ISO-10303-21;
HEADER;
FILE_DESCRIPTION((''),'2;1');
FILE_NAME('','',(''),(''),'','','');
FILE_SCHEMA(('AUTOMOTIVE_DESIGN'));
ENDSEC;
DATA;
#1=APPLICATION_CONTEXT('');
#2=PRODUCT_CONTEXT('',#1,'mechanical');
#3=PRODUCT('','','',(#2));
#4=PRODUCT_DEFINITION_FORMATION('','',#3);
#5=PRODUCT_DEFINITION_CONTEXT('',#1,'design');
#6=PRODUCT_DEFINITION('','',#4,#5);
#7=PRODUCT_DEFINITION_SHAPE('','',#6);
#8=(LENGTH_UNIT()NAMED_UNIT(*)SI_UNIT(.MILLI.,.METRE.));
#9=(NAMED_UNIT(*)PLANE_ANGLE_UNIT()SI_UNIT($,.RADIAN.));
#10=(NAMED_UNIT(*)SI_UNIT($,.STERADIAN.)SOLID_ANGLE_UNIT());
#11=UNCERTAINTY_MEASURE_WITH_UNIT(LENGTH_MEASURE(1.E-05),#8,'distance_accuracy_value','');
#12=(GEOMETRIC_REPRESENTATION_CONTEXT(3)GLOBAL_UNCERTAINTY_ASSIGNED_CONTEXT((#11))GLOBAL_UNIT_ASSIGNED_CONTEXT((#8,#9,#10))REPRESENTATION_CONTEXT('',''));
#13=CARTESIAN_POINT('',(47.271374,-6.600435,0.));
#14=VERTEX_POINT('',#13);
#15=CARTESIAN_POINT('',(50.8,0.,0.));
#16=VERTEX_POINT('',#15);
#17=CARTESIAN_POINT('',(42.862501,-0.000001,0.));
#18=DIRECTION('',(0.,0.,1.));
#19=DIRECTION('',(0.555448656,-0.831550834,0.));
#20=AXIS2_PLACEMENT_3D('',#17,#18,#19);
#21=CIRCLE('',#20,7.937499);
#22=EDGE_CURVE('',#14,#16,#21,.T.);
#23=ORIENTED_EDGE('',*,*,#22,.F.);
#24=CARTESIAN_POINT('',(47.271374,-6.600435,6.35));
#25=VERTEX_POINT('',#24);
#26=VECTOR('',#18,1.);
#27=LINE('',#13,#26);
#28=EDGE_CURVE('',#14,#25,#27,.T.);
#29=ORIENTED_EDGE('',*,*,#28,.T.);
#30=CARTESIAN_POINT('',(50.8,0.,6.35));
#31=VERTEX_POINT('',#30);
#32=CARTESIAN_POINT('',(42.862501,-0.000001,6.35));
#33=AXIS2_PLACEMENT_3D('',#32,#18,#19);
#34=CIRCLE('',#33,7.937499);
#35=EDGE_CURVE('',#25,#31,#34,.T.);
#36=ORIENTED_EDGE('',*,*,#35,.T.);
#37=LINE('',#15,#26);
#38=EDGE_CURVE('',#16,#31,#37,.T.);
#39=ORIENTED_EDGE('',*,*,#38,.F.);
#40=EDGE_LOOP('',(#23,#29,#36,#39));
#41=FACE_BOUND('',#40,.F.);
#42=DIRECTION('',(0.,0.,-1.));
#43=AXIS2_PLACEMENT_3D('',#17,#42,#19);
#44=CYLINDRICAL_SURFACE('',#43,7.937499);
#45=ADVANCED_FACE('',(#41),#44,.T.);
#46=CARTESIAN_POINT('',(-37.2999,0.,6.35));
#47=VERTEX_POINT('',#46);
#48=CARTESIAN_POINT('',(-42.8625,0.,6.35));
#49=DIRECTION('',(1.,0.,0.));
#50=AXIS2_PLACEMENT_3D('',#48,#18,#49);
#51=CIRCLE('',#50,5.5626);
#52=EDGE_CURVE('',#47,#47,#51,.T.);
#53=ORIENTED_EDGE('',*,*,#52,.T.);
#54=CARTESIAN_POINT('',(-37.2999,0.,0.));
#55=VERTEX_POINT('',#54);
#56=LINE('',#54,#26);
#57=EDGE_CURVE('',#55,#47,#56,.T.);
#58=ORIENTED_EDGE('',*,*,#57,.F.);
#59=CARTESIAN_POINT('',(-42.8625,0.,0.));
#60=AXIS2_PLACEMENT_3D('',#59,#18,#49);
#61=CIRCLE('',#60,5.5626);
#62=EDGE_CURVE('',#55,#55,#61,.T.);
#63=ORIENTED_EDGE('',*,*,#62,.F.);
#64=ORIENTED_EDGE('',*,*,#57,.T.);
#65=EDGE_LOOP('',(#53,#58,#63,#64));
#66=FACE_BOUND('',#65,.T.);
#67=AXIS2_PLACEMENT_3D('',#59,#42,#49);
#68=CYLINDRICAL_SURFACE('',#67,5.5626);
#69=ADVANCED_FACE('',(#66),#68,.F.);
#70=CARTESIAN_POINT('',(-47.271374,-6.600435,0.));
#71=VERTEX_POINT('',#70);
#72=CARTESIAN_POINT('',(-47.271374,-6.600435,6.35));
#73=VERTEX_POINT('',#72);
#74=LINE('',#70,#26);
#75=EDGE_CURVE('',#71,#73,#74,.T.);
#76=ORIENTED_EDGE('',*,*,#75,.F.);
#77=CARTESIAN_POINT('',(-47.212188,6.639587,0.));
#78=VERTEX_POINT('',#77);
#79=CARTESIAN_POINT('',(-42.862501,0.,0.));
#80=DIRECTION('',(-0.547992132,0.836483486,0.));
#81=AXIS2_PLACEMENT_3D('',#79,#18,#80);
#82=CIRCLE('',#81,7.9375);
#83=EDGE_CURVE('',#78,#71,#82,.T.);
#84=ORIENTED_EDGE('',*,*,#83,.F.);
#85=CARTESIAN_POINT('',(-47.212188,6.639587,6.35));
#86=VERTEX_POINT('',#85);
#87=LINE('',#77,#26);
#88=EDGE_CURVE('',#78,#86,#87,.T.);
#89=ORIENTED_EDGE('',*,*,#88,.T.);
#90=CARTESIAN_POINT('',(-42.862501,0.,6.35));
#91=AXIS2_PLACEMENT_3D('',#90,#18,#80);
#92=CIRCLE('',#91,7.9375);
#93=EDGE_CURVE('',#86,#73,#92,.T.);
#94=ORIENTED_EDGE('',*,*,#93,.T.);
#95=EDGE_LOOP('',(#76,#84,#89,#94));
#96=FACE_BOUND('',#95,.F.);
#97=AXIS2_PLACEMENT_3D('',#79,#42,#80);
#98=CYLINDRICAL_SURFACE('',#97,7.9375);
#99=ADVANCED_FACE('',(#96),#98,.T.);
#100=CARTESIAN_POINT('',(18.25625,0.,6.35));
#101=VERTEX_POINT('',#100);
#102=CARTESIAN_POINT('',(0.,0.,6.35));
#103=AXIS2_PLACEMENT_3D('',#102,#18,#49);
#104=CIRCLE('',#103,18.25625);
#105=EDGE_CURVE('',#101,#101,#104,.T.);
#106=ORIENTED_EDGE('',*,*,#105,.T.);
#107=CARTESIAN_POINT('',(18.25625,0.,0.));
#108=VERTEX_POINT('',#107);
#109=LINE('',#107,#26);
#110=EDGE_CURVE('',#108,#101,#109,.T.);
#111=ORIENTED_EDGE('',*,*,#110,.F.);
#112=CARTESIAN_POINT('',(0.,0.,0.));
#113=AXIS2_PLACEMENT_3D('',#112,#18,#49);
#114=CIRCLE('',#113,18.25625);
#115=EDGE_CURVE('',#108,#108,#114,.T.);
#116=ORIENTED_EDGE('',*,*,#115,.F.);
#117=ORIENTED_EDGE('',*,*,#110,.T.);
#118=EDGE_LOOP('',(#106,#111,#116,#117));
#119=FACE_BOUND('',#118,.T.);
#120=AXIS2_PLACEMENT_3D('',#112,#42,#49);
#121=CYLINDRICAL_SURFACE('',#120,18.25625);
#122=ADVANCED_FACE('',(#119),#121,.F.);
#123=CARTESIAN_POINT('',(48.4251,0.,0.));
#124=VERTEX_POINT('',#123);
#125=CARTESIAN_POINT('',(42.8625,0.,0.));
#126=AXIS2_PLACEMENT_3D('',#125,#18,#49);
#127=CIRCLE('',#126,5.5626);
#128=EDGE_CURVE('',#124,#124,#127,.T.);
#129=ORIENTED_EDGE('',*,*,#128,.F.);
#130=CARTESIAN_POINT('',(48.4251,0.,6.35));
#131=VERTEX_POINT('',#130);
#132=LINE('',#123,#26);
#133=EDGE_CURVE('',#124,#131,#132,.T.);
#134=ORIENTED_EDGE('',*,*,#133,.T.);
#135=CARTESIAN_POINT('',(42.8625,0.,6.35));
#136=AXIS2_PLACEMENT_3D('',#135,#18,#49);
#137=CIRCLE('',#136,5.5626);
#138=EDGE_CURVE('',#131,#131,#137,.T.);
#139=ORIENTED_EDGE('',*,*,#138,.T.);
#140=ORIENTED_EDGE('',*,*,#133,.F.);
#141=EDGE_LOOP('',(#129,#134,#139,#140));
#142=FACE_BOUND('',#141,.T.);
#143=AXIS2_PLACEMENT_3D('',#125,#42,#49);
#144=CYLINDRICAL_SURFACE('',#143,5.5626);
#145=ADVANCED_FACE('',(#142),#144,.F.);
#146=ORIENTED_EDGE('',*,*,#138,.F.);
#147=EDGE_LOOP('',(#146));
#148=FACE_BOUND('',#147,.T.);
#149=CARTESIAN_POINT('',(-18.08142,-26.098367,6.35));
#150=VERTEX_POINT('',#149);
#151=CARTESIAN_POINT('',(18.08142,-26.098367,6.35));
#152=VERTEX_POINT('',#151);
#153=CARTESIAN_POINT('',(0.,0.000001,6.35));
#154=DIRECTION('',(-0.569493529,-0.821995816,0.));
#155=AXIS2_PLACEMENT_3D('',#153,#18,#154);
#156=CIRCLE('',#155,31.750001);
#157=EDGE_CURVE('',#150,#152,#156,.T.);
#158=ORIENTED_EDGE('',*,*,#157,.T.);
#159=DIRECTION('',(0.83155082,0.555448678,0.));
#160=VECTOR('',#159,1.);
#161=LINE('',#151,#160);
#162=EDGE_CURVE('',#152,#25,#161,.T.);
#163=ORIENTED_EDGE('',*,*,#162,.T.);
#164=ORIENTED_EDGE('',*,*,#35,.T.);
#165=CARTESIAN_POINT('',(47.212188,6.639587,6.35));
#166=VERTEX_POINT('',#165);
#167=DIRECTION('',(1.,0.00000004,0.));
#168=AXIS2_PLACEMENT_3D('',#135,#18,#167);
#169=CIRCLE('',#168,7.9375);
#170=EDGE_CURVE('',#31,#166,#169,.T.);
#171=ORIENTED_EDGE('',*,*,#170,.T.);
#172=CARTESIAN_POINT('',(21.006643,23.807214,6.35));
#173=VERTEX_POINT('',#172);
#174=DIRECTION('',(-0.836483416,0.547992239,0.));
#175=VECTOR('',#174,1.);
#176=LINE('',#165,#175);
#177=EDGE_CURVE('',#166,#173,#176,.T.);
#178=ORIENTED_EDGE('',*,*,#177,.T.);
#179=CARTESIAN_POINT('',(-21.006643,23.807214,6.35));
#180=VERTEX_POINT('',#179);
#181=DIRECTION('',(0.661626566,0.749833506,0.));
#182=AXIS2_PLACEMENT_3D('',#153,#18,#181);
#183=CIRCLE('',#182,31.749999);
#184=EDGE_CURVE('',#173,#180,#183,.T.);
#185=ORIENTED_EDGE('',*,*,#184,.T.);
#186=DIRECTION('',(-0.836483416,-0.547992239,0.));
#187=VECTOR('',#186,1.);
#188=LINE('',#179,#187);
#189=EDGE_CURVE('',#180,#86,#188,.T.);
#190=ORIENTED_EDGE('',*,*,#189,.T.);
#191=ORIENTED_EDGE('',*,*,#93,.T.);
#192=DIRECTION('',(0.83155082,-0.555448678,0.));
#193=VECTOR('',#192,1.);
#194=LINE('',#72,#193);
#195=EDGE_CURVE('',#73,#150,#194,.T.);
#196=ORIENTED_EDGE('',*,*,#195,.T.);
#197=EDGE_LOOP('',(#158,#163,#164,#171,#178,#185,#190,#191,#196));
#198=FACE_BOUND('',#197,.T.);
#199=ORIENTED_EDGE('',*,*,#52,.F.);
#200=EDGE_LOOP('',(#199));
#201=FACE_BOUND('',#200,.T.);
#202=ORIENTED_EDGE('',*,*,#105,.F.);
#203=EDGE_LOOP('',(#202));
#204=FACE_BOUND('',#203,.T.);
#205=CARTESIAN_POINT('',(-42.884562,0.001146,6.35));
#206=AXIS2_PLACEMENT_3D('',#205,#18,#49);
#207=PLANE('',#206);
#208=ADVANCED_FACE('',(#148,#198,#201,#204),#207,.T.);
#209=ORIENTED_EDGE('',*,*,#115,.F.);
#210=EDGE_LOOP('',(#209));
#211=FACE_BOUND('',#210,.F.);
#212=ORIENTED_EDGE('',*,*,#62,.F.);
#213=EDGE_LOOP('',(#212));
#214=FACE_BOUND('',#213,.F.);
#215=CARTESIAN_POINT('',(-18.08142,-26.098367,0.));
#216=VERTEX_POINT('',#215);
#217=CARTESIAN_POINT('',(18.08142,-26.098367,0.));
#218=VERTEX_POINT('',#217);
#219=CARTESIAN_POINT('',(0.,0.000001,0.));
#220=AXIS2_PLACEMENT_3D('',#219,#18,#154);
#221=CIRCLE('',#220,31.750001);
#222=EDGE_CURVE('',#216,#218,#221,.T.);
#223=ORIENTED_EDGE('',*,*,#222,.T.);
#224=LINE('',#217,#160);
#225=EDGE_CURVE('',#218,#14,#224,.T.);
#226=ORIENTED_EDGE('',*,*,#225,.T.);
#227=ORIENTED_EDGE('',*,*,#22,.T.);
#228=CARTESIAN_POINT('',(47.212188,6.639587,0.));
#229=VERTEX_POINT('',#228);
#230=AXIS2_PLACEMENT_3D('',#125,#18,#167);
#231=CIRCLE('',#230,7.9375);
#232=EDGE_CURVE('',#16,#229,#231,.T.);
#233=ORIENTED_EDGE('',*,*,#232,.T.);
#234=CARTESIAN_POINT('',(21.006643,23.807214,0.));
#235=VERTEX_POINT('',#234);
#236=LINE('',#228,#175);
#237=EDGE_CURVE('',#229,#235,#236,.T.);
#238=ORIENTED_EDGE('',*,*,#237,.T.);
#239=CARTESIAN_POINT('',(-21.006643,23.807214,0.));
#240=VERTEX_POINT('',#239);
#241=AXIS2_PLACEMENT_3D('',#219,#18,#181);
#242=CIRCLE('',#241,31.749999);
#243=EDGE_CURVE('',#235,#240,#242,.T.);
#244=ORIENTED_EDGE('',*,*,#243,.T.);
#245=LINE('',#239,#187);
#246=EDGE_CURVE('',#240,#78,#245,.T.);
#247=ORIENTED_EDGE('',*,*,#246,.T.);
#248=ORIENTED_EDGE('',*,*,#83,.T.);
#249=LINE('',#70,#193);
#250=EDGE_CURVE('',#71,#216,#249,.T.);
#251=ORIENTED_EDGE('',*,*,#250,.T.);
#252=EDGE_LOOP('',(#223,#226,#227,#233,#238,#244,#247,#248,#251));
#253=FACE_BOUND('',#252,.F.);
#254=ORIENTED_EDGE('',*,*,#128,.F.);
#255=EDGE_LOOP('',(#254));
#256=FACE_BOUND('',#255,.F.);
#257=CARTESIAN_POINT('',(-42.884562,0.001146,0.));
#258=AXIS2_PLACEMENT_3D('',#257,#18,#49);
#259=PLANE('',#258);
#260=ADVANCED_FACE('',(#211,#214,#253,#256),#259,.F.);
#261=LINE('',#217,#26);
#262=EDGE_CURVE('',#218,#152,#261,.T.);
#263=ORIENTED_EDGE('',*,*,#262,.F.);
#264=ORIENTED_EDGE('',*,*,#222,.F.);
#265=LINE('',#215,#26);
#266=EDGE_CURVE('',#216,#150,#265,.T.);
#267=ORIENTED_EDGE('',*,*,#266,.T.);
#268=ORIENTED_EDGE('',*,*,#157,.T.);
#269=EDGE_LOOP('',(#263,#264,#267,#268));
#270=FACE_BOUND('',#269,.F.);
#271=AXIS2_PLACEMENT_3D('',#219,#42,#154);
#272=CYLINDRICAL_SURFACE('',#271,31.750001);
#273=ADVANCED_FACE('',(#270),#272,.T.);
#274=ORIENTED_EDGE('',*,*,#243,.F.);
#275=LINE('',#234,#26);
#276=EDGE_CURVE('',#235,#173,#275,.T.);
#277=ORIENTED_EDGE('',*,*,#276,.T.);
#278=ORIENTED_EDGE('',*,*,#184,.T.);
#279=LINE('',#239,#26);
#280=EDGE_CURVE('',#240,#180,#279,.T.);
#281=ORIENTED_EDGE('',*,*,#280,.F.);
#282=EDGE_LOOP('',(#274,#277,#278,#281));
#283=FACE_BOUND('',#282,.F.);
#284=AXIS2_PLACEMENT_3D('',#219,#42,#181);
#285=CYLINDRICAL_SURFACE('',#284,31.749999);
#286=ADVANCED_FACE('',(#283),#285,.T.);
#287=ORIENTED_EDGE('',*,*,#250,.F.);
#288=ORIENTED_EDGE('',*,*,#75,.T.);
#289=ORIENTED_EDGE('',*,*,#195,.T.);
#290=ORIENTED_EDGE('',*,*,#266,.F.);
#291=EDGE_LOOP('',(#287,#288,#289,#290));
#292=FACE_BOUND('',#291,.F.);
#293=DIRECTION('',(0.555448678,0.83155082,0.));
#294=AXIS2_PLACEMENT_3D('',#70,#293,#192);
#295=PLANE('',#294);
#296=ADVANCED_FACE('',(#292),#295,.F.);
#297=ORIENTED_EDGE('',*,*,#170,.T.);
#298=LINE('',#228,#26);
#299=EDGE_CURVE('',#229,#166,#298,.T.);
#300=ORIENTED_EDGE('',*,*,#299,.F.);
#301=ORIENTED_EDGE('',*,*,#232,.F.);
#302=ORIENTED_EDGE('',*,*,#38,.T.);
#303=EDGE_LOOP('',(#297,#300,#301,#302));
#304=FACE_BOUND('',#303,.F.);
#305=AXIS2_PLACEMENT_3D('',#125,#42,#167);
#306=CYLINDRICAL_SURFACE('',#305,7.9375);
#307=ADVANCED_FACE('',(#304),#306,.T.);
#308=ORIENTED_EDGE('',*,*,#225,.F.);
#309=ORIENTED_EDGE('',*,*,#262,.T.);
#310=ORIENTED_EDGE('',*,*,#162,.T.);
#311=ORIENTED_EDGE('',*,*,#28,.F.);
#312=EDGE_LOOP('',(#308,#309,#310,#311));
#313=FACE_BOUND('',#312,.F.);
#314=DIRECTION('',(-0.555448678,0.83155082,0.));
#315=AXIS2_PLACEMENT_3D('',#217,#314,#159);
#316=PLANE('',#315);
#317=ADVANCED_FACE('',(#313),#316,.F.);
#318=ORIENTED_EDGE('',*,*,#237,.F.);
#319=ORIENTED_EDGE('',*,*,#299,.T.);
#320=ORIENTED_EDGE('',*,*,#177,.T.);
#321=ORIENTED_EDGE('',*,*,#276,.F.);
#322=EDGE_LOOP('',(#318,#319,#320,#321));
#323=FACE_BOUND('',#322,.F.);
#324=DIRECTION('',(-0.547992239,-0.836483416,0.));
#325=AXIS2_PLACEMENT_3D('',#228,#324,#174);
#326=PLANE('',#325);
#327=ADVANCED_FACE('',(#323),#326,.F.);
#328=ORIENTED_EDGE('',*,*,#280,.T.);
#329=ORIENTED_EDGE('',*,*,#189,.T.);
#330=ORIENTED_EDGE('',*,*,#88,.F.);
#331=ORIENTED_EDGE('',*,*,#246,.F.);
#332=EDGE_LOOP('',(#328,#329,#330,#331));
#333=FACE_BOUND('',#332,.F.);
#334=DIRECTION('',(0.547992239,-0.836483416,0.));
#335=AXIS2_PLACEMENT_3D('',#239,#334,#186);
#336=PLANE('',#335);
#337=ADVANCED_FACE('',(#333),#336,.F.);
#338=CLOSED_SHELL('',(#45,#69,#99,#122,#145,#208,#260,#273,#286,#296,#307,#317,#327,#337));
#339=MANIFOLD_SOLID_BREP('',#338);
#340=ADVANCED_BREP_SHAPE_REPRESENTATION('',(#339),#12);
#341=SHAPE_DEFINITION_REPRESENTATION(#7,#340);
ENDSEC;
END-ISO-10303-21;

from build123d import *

# Parameters (mm, degrees)
F0_R     = 5.5626
F0_R_2   = 18.25625
F1_DEPTH = 6.35


with BuildPart() as f1:
    # F0 (on Top) → F1 (new body)
    with BuildSketch(Plane.XY):
        with BuildLine():
            ThreePointArc((-47.271374, -6.600435), (-39.120277, -6.999977), (-34.925, 0))
            ThreePointArc((-34.925, 0), (-39.089023, 6.983178), (-47.212188, 6.639587))
            ThreePointArc((-47.212188, 6.639587), (-50.799921, 0.035482), (-47.271374, -6.600435))
        make_face()
        with Locations((-42.8625, 0)):
            Circle(F0_R, mode=Mode.SUBTRACT)
        with BuildLine():
            ThreePointArc((-47.212188, 6.639587), (-39.089023, 6.983178), (-34.925, 0))
            ThreePointArc((-34.925, 0), (-39.120277, -6.999977), (-47.271374, -6.600435))
            Line((-47.271374, -6.600435), (-18.08142, -26.098367))
            ThreePointArc((-18.08142, -26.098367), (-31.695598, -1.857842), (-21.006643, 23.807214))
            Line((-21.006643, 23.807214), (-47.212188, 6.639587))
        make_face()
        with BuildLine():
            ThreePointArc((21.006643, 23.807214), (0, 31.75), (-21.006643, 23.807214))
            ThreePointArc((-21.006643, 23.807214), (-31.695598, -1.857842), (-18.08142, -26.098367))
            ThreePointArc((-18.08142, -26.098367), (0, -31.75), (18.08142, -26.098367))
            ThreePointArc((18.08142, -26.098367), (28.126034, -14.730536), (31.75, 0))
            ThreePointArc((31.75, 0), (28.939795, 13.05951), (21.006643, 23.807214))
        make_face()
        Circle(F0_R_2, mode=Mode.SUBTRACT)
        with BuildLine():
            Line((47.212188, 6.639587), (21.006643, 23.807214))
            ThreePointArc((21.006643, 23.807214), (28.939795, 13.05951), (31.75, 0))
            ThreePointArc((31.75, 0), (28.126034, -14.730536), (18.08142, -26.098367))
            Line((18.08142, -26.098367), (47.271374, -6.600435))
            ThreePointArc((47.271374, -6.600435), (34.925079, -0.035482), (47.212188, 6.639587))
        make_face()
        with BuildLine():
            ThreePointArc((50.8, 0), (49.845678, 3.773477), (47.212188, 6.639587))
            ThreePointArc((47.212188, 6.639587), (34.925079, -0.035482), (47.271374, -6.600435))
            ThreePointArc((47.271374, -6.600435), (49.862477, -3.742223), (50.8, 0))
        make_face()
        with Locations((42.8625, 0)):
            Circle(F0_R, mode=Mode.SUBTRACT)
    extrude(amount=F1_DEPTH)


solid = f1.part
